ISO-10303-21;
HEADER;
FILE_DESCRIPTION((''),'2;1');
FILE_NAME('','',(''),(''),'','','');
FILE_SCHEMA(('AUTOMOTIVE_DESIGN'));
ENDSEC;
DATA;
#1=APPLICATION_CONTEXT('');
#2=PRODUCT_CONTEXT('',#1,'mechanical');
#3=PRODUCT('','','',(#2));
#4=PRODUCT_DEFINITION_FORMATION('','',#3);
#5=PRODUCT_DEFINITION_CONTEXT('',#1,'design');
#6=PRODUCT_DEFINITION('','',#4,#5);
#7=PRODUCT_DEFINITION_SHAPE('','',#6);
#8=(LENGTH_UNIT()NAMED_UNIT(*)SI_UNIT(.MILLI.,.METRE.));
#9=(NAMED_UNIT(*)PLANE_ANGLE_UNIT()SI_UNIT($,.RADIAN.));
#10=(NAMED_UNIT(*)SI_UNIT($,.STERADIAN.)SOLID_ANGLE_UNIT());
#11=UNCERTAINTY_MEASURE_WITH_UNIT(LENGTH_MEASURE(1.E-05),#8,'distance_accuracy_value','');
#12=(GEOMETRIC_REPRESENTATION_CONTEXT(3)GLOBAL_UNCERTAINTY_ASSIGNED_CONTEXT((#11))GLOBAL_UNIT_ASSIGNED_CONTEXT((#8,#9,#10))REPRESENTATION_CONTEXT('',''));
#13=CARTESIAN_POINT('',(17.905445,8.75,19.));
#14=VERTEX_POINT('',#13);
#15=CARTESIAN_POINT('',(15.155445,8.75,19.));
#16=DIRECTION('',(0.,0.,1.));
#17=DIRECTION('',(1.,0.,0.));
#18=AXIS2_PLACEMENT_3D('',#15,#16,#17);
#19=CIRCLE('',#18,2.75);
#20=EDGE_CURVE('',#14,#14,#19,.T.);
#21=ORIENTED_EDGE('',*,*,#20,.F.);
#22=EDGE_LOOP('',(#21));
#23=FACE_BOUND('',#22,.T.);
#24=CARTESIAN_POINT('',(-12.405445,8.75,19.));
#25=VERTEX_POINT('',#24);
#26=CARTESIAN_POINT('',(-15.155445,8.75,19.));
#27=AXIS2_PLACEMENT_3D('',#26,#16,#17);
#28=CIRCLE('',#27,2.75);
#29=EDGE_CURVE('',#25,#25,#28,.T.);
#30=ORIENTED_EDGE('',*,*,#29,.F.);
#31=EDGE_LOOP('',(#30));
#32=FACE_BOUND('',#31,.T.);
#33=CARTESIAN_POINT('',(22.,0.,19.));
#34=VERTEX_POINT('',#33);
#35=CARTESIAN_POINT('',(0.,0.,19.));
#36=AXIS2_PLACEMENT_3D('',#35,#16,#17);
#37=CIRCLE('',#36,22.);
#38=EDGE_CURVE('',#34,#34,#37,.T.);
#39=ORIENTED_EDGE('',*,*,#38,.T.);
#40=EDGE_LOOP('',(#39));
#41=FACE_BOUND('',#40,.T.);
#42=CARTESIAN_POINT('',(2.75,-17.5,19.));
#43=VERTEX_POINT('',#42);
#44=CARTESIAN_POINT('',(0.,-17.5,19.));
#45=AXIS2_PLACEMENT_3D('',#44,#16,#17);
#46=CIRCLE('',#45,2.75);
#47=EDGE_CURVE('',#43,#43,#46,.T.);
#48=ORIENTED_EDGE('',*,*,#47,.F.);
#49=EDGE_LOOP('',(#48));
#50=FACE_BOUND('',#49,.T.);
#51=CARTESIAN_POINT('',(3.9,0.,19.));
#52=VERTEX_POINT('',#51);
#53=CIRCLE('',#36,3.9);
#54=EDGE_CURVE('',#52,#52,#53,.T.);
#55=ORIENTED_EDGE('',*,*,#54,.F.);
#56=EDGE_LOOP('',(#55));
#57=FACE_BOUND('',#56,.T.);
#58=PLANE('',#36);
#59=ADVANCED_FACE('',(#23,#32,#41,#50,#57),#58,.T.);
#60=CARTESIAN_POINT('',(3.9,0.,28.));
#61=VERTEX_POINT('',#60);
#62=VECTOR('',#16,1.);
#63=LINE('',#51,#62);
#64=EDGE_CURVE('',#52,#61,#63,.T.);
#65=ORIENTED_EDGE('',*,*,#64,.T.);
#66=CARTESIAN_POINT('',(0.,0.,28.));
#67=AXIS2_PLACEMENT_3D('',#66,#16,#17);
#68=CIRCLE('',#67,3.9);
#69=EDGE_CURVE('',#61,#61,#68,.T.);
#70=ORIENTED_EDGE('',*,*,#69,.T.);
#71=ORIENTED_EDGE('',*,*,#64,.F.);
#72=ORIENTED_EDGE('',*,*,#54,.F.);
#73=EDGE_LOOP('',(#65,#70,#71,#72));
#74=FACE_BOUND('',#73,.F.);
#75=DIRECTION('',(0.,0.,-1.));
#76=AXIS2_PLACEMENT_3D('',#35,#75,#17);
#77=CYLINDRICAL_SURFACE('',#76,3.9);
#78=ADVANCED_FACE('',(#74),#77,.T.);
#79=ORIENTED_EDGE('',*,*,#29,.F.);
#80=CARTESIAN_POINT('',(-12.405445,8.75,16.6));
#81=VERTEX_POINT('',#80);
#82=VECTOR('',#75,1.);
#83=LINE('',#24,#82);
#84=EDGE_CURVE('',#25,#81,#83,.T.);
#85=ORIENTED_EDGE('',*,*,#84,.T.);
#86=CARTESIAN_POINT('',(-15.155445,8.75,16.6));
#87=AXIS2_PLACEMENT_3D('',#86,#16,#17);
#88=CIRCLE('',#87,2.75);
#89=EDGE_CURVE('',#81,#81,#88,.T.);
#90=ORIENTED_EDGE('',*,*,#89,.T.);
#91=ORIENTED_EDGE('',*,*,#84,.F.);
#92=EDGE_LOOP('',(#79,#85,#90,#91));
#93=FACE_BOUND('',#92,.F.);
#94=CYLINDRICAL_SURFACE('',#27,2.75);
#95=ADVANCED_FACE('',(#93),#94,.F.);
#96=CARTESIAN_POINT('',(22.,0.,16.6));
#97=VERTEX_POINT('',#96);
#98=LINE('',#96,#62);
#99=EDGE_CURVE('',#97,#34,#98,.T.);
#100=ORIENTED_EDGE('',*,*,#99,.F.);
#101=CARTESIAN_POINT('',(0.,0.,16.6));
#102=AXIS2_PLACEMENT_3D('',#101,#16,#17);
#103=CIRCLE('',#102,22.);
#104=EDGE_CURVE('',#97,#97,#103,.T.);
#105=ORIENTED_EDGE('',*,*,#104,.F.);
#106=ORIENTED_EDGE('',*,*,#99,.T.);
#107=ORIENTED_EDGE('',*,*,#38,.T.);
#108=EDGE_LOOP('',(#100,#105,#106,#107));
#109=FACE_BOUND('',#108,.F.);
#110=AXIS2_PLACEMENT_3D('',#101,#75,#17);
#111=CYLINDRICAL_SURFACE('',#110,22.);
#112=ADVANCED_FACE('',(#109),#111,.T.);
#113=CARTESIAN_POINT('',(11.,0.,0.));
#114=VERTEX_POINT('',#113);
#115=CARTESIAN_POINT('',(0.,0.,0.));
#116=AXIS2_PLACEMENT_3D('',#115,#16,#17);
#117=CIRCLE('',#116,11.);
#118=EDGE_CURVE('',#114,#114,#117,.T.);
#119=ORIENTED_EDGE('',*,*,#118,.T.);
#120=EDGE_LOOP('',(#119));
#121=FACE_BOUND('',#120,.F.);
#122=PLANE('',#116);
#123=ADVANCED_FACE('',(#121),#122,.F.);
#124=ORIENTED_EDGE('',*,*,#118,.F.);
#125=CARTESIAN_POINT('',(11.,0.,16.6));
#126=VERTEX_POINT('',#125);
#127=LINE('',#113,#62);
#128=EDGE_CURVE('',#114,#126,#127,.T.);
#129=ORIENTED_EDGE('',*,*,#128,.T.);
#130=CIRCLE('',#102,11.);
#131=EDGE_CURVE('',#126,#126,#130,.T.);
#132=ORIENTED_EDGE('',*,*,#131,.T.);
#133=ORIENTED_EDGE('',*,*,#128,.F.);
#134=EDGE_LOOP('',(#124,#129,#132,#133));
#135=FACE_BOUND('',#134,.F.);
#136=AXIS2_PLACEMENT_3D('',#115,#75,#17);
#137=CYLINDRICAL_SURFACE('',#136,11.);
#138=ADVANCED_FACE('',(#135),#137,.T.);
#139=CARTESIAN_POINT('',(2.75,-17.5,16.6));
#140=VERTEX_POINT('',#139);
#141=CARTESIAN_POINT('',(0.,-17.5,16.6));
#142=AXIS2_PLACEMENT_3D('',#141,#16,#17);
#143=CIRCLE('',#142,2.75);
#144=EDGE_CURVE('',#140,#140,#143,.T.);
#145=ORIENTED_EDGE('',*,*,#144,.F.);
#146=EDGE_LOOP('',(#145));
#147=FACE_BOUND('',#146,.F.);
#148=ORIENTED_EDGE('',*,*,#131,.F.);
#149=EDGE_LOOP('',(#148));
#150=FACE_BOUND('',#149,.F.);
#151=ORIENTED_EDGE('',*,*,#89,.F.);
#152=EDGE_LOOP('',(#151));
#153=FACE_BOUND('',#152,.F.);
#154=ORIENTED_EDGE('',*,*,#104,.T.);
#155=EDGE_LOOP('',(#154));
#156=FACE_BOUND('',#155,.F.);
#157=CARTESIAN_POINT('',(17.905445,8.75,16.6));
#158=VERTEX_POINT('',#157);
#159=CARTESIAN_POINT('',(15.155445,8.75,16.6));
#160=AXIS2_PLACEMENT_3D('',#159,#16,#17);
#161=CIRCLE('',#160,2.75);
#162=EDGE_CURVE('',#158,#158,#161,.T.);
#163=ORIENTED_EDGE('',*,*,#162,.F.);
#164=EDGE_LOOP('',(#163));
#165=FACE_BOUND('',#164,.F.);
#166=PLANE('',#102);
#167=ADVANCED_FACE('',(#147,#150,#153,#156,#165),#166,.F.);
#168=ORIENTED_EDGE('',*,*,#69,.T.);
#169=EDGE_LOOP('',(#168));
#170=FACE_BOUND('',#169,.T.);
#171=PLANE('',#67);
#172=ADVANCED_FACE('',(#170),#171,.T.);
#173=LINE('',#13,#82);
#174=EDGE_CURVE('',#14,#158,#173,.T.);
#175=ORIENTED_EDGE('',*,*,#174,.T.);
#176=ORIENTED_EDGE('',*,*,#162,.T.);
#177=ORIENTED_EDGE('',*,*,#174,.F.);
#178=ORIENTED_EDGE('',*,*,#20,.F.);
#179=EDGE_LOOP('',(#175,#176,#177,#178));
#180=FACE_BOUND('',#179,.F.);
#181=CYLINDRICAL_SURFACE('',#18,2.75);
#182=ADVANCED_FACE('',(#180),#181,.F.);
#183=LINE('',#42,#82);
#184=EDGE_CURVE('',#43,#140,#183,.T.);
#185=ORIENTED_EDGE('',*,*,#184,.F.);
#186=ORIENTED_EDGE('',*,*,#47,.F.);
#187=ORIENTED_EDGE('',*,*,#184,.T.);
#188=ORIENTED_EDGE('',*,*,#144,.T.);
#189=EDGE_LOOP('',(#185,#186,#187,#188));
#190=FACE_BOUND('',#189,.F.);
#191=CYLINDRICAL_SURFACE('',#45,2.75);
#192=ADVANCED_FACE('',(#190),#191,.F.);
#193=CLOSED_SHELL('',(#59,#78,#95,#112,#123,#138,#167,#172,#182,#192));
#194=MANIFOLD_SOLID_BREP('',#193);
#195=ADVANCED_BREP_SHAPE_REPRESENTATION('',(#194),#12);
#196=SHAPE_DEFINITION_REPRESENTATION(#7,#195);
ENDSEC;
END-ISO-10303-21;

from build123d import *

# Parameters (mm, degrees)
F0_R     = 11
F1_DEPTH = 16.6
F2_R     = 22
F2_R_2   = 11
F3_DEPTH = 2.4
F4_R     = 3.9
F5_DEPTH = 9
F6_R     = 2.75
F7_DEPTH = 25


with BuildPart() as f1:
    # F0 (on Top) → F1 (new body)
    with BuildSketch(Plane.XY):
        Circle(F0_R)
    extrude(amount=F1_DEPTH)

    # F2 (on face) → F3 (join)
    with BuildSketch(Plane.XY.offset(16.6)):
        Circle(F2_R)
        Circle(F2_R_2, mode=Mode.SUBTRACT)
        Circle(F2_R_2)
    extrude(amount=F3_DEPTH)

    # F4 (on face) → F5 (join)
    with BuildSketch(Plane.XY.offset(19)):
        Circle(F4_R)
    extrude(amount=F5_DEPTH)

    # F6 (on face) → F7 (cut)
    with BuildSketch(Plane.XY.offset(19)):
        with Locations((-15.155445, 8.75)):
            Circle(F6_R)
        with Locations((15.155445, 8.75)):
            Circle(F6_R)
        with Locations((0, -17.5)):
            Circle(F6_R)
    extrude(amount=-F7_DEPTH, mode=Mode.SUBTRACT)


solid = f1.part
